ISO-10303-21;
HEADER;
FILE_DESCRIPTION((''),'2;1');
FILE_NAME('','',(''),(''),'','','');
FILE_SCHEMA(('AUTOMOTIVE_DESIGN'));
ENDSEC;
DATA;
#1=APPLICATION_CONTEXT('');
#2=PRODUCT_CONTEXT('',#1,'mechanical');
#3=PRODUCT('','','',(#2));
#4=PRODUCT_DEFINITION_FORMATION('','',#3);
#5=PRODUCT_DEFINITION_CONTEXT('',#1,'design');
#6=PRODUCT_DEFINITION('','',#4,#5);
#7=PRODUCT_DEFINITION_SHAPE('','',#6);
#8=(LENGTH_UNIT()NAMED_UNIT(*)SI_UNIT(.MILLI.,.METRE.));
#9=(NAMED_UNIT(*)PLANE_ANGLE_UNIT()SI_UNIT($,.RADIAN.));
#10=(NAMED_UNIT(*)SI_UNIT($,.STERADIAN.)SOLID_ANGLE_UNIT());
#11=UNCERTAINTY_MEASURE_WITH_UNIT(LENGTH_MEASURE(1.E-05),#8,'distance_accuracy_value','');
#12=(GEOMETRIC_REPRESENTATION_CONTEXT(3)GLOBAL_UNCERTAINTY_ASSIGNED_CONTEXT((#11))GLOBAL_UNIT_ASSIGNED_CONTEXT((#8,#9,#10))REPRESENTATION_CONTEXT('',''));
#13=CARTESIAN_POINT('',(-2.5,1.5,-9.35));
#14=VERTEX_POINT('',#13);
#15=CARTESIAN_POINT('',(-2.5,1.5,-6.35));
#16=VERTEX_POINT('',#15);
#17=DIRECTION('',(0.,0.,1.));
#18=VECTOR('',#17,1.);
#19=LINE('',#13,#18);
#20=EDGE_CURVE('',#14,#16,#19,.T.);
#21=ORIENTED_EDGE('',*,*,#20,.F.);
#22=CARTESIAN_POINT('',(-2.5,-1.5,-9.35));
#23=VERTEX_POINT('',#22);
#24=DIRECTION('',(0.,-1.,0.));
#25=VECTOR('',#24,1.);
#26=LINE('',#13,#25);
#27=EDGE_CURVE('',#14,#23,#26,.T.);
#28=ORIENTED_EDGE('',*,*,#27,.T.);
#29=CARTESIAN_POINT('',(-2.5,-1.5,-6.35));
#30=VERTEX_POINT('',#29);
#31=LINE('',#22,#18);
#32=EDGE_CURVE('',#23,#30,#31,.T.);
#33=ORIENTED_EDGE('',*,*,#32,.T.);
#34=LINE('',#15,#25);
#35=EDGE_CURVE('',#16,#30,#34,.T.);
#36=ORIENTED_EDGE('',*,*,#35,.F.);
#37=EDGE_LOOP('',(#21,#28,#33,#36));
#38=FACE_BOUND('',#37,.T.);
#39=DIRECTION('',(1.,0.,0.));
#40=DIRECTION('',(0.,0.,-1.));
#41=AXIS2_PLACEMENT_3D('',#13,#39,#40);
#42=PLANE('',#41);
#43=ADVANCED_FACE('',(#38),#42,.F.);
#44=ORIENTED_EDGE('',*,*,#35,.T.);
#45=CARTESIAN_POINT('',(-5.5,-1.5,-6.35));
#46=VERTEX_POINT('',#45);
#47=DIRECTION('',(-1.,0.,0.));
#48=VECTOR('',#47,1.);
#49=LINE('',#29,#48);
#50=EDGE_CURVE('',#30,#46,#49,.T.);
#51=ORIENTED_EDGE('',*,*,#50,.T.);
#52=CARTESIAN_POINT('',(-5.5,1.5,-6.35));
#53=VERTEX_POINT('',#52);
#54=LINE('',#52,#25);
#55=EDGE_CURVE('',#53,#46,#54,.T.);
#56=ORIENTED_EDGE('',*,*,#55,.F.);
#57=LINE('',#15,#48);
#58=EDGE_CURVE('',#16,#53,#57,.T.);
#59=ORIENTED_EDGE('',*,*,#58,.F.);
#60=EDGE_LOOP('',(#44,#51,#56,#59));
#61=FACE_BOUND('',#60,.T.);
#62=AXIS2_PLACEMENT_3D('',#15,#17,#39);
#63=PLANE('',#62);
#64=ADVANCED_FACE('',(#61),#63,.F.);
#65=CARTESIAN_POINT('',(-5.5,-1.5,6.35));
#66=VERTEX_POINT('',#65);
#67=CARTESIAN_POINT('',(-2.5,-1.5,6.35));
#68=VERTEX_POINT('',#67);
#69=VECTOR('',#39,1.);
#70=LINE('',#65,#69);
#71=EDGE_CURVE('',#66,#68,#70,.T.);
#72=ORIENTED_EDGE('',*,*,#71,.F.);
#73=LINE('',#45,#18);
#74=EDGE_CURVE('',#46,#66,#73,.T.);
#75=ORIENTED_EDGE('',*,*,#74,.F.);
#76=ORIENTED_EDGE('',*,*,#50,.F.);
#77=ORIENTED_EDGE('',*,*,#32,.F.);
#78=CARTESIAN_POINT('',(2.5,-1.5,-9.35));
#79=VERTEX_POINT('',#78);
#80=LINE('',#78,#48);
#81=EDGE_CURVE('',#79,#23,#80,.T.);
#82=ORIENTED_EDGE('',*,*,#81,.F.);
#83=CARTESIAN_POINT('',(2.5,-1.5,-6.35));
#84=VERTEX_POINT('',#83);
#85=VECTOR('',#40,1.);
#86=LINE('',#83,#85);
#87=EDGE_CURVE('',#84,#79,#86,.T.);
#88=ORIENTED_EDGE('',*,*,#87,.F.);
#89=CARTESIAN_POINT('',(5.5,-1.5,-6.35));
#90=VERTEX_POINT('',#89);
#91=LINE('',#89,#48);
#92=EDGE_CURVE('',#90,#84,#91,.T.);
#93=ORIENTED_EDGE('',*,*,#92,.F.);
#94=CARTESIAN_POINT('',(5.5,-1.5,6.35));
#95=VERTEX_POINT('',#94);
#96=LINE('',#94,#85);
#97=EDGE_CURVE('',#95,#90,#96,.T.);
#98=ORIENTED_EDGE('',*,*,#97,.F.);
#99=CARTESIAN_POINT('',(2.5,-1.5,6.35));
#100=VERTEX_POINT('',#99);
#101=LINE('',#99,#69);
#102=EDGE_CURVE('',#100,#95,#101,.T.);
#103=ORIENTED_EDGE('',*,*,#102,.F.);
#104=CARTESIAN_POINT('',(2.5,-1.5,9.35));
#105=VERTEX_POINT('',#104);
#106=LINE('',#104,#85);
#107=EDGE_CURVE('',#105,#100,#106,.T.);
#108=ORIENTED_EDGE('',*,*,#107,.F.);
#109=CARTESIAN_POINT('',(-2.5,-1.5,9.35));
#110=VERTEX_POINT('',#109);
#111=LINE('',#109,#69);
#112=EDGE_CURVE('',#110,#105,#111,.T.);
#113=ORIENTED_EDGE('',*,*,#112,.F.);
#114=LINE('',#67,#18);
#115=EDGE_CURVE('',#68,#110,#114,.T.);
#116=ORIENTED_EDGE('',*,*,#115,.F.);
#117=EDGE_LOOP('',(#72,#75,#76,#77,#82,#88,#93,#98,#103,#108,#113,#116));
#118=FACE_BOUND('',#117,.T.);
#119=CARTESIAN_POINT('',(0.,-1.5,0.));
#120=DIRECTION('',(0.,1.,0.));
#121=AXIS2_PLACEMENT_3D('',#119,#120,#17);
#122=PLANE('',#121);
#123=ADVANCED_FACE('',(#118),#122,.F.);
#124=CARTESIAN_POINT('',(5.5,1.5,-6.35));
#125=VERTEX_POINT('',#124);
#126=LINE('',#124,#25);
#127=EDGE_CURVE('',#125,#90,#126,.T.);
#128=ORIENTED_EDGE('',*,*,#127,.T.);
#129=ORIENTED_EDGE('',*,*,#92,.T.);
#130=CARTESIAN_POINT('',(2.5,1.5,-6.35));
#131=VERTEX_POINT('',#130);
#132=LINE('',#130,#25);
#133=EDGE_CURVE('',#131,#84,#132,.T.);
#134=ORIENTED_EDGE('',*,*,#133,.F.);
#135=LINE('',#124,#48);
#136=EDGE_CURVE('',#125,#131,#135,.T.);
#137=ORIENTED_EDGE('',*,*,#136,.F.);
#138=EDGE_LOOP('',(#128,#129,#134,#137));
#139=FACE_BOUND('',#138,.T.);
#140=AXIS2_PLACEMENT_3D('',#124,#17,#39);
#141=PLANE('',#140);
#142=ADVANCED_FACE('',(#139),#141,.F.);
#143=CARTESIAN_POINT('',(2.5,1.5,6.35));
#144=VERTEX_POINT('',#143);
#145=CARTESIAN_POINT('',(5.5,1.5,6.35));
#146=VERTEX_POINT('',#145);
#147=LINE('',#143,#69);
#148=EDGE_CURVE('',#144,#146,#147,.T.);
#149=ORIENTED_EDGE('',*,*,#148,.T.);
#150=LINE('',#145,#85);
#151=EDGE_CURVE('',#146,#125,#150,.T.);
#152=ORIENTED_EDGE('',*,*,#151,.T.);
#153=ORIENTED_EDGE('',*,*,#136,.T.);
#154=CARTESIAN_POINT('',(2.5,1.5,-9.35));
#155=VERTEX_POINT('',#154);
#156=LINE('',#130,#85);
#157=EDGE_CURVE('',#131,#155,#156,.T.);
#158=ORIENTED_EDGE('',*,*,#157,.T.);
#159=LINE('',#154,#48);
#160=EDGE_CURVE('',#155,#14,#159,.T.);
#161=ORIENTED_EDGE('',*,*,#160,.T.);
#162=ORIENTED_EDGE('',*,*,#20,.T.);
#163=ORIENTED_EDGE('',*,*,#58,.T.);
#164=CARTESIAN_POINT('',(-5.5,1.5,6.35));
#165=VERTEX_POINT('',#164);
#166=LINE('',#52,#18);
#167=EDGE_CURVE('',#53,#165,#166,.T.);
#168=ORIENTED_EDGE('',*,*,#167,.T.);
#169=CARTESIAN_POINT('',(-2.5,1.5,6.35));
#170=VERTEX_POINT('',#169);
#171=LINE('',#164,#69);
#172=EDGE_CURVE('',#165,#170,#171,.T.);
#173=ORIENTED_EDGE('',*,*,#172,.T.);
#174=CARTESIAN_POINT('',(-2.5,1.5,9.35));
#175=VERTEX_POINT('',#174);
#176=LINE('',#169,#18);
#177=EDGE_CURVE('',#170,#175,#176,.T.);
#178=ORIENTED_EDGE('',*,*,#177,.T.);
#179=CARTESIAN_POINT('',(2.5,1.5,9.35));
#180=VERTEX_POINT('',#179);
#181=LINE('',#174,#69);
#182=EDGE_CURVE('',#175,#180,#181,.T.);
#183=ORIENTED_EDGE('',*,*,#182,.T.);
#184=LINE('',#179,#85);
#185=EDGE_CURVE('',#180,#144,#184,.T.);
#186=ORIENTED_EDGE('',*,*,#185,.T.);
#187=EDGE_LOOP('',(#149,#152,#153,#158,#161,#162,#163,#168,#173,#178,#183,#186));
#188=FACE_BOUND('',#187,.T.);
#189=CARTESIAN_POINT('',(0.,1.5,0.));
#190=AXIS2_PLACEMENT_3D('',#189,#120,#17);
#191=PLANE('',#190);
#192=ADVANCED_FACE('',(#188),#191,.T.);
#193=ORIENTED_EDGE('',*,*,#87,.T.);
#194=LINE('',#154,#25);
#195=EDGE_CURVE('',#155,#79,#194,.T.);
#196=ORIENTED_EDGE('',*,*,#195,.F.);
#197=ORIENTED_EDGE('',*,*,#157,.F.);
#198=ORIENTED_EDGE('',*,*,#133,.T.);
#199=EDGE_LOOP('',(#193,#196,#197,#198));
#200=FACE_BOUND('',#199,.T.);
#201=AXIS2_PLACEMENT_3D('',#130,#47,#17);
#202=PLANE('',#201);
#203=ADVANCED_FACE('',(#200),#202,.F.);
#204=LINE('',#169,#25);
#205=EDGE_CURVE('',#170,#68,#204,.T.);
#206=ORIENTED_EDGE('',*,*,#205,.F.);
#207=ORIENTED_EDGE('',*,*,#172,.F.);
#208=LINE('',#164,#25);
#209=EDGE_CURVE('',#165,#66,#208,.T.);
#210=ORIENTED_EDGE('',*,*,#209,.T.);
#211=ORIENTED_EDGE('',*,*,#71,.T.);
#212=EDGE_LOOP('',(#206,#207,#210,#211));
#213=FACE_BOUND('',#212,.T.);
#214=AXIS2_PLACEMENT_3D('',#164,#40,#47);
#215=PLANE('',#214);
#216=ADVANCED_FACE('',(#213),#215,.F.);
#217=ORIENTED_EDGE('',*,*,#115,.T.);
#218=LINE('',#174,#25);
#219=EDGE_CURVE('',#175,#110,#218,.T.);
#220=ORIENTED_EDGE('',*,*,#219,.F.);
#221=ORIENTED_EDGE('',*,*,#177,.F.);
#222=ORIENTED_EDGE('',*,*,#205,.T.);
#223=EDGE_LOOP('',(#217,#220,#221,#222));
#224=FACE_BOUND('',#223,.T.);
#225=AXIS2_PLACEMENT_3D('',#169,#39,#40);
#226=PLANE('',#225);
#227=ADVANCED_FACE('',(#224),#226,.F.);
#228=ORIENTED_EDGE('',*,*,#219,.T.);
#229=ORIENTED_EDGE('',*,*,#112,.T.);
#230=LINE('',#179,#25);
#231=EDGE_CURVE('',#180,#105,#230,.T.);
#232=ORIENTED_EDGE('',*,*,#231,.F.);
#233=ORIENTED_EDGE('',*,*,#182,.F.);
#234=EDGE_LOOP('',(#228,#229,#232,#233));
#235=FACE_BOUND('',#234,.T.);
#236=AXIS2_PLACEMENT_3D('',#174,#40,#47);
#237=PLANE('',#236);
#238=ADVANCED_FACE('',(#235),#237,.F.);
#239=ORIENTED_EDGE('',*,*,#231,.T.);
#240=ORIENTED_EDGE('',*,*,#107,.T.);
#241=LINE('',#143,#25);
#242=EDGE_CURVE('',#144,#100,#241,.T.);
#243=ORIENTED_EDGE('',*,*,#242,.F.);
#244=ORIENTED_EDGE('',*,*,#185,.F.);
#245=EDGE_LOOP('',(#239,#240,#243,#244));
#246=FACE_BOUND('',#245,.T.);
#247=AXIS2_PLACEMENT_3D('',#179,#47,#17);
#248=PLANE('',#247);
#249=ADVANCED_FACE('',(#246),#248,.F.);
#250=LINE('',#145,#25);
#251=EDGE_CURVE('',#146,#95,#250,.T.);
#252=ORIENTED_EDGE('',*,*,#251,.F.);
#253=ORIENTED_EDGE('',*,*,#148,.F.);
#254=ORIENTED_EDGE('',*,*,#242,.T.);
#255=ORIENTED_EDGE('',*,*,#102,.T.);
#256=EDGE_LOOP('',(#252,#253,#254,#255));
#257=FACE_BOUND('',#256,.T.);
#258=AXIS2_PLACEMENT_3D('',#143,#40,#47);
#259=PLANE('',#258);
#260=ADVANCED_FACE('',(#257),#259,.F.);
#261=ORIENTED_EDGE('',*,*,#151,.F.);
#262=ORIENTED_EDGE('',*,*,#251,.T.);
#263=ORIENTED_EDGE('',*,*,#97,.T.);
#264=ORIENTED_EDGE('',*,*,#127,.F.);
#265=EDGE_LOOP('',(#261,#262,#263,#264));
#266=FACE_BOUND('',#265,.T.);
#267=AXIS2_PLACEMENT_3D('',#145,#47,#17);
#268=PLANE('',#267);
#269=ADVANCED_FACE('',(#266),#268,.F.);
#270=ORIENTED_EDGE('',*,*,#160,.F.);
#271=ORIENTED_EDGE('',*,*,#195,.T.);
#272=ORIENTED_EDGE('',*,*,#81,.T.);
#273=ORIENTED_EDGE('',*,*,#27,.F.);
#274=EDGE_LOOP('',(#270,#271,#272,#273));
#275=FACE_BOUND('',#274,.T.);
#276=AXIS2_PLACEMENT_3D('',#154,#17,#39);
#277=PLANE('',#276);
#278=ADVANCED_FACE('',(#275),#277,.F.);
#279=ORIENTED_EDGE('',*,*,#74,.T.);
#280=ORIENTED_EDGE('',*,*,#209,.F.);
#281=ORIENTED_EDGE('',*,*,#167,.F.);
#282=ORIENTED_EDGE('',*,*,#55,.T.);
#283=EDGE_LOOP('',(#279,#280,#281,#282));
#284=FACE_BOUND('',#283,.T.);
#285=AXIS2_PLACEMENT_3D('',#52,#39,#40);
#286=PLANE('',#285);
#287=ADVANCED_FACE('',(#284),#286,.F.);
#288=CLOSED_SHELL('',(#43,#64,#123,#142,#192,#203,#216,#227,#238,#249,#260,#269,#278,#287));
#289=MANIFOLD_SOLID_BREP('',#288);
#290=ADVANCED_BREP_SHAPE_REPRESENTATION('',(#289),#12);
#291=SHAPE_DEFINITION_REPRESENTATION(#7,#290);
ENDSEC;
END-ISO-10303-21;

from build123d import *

# Parameters (mm, degrees)
BOSS_EXTRUDE1_DEPTH = 1.5


with BuildPart() as part:
    # Sketch1 → Boss-Extrude1 (new body, symmetric)
    with BuildSketch(Plane(origin=(0, 0, 0), x_dir=(1, 0, 0), z_dir=(0, 1, 0))):
        Polygon((-5.5, 6.35), (-5.5, -6.35), (-2.5, -6.35), (-2.5, -9.35), (2.5, -9.35), (2.5, -6.35), (5.5, -6.35), (5.5, 6.35), (2.5, 6.35), (2.5, 9.35), (-2.5, 9.35), (-2.5, 6.35), align=None)
    extrude(amount=BOSS_EXTRUDE1_DEPTH, both=True)


solid = part.part
